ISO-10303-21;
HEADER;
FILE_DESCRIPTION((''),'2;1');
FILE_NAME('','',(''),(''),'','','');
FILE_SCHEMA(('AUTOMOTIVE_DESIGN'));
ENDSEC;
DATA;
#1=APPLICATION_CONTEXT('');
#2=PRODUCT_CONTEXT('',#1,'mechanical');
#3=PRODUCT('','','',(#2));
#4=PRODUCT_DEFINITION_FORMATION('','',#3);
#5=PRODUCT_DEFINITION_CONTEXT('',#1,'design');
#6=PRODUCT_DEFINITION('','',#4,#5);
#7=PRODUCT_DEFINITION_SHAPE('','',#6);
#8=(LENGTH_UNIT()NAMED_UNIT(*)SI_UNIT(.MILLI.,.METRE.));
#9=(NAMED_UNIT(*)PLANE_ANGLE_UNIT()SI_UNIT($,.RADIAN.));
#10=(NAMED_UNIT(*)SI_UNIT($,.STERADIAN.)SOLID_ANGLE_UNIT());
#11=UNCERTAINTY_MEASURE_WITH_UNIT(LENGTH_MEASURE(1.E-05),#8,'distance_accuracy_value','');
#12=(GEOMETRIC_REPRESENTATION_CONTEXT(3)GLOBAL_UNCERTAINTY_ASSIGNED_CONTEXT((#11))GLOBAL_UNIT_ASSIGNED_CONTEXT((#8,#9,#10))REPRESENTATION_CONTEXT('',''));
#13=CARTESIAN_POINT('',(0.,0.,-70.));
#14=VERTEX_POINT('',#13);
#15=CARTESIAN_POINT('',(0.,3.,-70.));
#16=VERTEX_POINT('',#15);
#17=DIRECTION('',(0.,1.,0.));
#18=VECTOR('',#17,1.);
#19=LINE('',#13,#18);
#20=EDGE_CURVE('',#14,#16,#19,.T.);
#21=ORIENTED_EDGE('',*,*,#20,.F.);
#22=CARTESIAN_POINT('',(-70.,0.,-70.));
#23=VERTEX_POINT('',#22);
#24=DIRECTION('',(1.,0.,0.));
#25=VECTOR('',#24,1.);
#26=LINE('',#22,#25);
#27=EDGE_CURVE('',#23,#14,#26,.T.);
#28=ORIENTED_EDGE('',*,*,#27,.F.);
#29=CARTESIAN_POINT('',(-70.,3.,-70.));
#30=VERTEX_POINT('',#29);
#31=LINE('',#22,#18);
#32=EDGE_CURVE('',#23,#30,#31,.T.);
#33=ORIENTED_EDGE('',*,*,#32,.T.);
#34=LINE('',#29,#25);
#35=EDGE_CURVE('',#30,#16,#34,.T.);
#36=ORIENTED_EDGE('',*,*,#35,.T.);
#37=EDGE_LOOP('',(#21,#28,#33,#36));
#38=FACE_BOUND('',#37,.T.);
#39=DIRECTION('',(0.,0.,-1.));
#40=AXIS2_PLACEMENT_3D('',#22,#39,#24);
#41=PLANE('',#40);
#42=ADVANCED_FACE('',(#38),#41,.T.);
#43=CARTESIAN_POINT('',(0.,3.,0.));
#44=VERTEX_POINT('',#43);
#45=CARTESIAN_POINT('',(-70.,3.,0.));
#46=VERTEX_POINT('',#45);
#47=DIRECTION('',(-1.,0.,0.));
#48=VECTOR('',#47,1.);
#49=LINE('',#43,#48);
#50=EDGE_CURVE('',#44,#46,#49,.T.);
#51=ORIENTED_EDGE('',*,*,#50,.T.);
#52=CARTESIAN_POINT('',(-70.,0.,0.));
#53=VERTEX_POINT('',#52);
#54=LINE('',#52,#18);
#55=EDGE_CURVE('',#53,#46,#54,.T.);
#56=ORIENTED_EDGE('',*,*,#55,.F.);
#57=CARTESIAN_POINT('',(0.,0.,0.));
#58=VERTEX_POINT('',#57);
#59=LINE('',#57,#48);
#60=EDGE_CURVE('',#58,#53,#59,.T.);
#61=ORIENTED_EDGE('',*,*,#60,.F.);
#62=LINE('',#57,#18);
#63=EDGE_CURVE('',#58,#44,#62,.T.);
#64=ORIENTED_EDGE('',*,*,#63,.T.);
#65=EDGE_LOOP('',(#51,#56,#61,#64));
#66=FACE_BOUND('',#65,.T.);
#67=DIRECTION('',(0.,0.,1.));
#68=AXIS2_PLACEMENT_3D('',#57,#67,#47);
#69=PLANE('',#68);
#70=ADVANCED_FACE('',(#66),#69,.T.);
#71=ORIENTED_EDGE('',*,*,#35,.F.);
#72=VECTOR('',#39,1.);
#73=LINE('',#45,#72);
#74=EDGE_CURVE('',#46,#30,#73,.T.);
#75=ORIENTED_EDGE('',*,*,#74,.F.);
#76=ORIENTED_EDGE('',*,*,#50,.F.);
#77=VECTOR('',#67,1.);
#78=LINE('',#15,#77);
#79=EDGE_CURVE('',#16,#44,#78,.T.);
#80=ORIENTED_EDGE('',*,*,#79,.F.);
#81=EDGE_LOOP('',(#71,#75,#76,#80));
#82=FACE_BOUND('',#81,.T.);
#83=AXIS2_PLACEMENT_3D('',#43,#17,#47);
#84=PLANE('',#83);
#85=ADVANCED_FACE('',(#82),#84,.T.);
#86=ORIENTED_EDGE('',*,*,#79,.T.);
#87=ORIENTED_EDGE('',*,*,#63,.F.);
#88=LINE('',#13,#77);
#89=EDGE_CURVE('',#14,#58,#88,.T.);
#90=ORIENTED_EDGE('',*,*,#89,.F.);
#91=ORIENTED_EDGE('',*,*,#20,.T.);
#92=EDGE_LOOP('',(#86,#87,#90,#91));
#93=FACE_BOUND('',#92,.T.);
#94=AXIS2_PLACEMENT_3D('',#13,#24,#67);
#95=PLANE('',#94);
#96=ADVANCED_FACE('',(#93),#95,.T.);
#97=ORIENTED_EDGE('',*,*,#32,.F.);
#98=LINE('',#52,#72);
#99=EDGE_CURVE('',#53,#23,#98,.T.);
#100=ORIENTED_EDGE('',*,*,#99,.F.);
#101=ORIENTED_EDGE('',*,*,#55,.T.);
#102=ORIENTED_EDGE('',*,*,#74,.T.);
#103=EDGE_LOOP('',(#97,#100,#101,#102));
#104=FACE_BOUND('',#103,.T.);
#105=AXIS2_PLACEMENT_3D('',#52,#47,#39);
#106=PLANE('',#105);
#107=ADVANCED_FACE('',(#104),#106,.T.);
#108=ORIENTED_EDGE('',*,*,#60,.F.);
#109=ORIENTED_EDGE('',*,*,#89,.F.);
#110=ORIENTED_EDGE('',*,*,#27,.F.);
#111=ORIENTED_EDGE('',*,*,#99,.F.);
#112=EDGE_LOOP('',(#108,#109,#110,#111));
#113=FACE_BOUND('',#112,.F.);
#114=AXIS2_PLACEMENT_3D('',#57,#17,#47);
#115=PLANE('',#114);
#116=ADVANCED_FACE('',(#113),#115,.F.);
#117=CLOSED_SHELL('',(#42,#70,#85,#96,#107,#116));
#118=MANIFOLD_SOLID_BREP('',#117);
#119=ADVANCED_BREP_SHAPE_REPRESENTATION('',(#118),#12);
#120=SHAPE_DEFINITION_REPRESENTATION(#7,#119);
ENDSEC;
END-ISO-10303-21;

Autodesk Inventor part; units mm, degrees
ref_plane "YZ Plane" through (0, 0, 0) normal (1, 0, 0) x (0, 1, 0)
ref_plane "XZ Plane" through (0, 0, 0) normal (0, 1, 0) x (-1, 0, 0)
ref_plane "XY Plane" through (0, 0, 0) normal (0, 0, 1) x (1, 0, 0)
sketch "Sketch1" plane through (0, 0, 0) normal (0, 1, 0) x (-1, 0, 0)
  line L0 (0, 0) -> (70, 0)
  line L1 (70, 0) -> (70, -70)
  line L2 (70, -70) -> (0, -70)
  line L3 (0, -70) -> (0, 0)
  dimension "d0" = 70
  dimension "d1" = 70
extrude "Extrusion1" add sketch "Sketch1" along normal blind 3
properties part number "Chapaaco"
